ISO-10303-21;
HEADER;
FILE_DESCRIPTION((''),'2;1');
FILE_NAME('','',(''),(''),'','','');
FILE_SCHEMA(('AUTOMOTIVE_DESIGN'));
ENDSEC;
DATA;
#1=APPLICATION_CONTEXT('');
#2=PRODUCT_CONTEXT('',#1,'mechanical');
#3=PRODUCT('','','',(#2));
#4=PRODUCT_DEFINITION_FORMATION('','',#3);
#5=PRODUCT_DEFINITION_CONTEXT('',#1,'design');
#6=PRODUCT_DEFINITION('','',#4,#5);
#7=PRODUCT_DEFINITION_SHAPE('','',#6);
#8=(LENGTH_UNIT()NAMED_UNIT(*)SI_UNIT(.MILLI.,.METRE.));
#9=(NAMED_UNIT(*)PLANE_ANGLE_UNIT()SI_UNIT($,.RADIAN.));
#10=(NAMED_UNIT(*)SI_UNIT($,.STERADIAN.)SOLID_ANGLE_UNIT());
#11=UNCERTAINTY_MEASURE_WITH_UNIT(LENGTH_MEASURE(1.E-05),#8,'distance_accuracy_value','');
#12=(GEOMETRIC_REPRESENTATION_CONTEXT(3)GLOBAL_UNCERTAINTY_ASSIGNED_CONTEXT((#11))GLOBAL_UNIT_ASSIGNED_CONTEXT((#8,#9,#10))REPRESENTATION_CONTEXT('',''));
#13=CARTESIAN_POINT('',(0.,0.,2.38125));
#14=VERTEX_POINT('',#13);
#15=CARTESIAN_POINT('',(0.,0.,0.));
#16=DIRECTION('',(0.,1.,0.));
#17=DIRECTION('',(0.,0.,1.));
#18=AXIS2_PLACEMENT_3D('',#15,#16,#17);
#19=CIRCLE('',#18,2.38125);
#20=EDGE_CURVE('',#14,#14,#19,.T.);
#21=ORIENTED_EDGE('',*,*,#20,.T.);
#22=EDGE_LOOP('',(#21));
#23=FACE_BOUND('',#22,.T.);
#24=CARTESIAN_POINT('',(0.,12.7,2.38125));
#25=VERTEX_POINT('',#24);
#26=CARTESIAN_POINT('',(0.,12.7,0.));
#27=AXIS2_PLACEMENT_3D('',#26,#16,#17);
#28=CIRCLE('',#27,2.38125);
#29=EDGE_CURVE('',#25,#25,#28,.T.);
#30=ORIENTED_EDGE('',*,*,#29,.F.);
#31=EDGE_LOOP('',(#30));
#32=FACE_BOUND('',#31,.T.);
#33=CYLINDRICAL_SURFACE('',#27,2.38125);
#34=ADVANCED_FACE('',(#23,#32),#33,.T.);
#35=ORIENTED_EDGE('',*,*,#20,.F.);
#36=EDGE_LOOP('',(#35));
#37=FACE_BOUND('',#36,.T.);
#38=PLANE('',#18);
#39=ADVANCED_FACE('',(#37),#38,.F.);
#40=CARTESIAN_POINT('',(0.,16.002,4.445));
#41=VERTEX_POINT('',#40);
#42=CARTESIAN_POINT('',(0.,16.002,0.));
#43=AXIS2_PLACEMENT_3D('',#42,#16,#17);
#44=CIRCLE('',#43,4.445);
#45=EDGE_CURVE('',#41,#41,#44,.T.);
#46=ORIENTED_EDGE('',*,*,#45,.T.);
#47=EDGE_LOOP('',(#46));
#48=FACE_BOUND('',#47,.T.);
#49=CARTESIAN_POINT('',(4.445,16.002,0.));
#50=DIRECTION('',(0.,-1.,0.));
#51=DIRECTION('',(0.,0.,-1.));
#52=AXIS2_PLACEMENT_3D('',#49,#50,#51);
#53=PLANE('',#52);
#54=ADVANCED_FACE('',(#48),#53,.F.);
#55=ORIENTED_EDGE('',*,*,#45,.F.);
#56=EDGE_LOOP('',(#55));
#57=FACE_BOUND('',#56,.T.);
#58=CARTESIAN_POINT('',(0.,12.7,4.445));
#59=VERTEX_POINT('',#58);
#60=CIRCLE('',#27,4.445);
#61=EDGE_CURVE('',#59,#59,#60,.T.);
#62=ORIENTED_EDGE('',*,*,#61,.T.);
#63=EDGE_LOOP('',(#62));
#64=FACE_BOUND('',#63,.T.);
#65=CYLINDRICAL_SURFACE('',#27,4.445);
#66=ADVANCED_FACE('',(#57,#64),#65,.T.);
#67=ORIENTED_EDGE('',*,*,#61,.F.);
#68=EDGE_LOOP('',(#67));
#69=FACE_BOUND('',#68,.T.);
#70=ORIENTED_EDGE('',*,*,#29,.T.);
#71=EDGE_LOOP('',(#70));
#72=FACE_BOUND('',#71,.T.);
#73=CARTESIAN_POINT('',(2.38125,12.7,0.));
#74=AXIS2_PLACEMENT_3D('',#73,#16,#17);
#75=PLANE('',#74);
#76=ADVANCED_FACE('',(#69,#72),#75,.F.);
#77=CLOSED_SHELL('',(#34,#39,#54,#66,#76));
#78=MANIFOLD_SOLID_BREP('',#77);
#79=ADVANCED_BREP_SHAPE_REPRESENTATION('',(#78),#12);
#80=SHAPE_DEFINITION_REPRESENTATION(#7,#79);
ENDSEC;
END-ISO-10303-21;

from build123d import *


with BuildPart() as part:
    # Sketch1 → Revolve1 (revolve)
    with BuildSketch(Plane.XY, mode=Mode.PRIVATE) as revolve1_sk:
        Polygon((2.38125, 12.7), (4.445, 12.7), (4.445, 16.002), (0, 16.002), (0, 0), (2.38125, 0), align=None)
    revolve(revolve1_sk.sketch.rotate(Axis((0, 12.7, 0), (0, -1, 0)), 90), axis=Axis((0, 12.7, 0), (0, -1, 0)))


solid = part.part
